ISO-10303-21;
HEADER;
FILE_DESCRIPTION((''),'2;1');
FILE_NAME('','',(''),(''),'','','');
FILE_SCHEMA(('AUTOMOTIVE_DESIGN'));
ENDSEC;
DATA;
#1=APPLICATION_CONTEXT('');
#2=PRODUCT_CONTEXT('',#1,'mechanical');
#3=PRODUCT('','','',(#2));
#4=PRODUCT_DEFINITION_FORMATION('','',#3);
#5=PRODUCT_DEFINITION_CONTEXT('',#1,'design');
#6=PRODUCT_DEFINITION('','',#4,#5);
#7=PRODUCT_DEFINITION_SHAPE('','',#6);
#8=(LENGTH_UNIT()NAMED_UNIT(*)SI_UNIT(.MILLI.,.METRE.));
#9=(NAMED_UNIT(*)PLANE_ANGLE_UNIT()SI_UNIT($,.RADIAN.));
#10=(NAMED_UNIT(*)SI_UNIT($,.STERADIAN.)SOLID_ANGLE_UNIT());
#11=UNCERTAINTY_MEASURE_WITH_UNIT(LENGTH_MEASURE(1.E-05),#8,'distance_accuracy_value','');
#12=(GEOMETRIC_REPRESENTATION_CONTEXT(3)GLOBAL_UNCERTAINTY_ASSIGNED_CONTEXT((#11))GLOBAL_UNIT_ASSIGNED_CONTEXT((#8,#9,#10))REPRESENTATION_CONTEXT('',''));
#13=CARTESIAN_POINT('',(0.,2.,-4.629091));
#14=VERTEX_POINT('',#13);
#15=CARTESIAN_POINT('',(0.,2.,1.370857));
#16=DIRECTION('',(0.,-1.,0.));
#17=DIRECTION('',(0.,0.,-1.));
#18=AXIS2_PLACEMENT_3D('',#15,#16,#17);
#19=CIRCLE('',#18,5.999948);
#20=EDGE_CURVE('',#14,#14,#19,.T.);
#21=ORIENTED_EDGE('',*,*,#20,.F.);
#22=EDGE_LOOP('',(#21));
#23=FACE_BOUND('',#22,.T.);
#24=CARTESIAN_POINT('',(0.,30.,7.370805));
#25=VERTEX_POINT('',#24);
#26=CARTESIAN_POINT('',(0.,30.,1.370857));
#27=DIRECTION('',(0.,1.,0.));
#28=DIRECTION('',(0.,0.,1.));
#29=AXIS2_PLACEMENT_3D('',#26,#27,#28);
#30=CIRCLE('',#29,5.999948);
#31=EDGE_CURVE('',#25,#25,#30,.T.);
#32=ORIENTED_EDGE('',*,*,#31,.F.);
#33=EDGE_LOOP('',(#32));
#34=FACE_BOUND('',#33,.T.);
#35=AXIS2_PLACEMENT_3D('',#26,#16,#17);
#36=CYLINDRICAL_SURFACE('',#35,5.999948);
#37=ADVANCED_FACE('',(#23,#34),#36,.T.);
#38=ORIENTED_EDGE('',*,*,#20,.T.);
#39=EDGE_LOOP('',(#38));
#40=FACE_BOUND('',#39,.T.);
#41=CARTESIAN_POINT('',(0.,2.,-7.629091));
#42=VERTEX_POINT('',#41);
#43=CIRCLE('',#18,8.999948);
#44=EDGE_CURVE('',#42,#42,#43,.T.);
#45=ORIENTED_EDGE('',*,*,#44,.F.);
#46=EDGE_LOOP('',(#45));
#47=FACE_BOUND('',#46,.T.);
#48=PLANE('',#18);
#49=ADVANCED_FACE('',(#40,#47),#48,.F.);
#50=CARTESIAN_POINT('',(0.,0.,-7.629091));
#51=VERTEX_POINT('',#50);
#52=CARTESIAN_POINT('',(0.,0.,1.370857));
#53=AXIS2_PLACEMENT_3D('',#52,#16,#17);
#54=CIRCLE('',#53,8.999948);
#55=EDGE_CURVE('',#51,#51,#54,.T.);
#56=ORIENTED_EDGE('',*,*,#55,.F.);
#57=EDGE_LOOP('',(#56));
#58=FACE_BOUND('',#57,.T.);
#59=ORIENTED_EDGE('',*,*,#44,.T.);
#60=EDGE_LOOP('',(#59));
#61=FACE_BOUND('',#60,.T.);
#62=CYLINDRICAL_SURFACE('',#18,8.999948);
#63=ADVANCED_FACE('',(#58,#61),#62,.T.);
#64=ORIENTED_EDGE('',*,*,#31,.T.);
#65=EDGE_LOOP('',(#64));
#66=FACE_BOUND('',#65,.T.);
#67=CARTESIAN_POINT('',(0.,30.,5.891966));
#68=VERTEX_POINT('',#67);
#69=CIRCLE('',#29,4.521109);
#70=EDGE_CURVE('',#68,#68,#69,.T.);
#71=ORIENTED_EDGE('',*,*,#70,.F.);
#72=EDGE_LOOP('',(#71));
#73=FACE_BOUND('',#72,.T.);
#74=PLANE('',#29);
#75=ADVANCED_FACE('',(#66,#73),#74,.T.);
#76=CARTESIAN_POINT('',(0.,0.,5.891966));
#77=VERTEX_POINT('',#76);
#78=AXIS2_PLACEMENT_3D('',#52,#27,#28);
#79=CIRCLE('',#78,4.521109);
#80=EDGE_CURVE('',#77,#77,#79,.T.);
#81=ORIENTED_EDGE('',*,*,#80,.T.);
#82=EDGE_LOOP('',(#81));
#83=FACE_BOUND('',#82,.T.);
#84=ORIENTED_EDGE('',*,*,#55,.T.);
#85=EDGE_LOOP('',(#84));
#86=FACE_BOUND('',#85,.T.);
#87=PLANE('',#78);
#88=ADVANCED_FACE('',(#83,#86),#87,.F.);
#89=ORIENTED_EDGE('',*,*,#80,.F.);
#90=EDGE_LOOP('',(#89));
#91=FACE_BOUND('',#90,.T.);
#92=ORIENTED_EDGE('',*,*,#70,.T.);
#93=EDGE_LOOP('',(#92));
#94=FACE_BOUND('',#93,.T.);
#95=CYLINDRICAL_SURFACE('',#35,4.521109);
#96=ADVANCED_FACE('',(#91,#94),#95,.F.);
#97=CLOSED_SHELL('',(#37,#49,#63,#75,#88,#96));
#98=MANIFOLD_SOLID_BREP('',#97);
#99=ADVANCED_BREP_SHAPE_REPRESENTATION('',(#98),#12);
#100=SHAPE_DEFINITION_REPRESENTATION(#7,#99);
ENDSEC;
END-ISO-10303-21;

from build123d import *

# Parameters (mm, degrees)
SKETCH1_R           = 5.999947903
SKETCH1_R_2         = 4.521109164
BOSS_EXTRUDE1_DEPTH = 30
SKETCH3_R           = 8.999947903
SKETCH3_R_2         = 5.999947903
BOSS_EXTRUDE2_DEPTH = 2


with BuildPart() as part:
    # Sketch1 → Boss-Extrude1 (new body)
    with BuildSketch(Plane(origin=(0, 0, 0), x_dir=(1, 0, 0), z_dir=(0, 1, 0))):
        with Locations(Location((0, -1.370857001, 0), (0, 0, 270))):
            Circle(SKETCH1_R)
        with Locations(Location((0, -1.370857001, 0), (0, 0, 270))):
            Circle(SKETCH1_R_2, mode=Mode.SUBTRACT)
    extrude(amount=BOSS_EXTRUDE1_DEPTH)

    # Sketch3 → Boss-Extrude2 (add)
    with BuildSketch(Plane.XZ):
        with Locations(Location((0, 1.370857001, 0), (0, 0, 270))):
            Circle(SKETCH3_R)
        with Locations(Location((0, 1.370857001, 0), (0, 0, 270))):
            Circle(SKETCH3_R_2, mode=Mode.SUBTRACT)
    extrude(amount=-BOSS_EXTRUDE2_DEPTH)


solid = part.part
